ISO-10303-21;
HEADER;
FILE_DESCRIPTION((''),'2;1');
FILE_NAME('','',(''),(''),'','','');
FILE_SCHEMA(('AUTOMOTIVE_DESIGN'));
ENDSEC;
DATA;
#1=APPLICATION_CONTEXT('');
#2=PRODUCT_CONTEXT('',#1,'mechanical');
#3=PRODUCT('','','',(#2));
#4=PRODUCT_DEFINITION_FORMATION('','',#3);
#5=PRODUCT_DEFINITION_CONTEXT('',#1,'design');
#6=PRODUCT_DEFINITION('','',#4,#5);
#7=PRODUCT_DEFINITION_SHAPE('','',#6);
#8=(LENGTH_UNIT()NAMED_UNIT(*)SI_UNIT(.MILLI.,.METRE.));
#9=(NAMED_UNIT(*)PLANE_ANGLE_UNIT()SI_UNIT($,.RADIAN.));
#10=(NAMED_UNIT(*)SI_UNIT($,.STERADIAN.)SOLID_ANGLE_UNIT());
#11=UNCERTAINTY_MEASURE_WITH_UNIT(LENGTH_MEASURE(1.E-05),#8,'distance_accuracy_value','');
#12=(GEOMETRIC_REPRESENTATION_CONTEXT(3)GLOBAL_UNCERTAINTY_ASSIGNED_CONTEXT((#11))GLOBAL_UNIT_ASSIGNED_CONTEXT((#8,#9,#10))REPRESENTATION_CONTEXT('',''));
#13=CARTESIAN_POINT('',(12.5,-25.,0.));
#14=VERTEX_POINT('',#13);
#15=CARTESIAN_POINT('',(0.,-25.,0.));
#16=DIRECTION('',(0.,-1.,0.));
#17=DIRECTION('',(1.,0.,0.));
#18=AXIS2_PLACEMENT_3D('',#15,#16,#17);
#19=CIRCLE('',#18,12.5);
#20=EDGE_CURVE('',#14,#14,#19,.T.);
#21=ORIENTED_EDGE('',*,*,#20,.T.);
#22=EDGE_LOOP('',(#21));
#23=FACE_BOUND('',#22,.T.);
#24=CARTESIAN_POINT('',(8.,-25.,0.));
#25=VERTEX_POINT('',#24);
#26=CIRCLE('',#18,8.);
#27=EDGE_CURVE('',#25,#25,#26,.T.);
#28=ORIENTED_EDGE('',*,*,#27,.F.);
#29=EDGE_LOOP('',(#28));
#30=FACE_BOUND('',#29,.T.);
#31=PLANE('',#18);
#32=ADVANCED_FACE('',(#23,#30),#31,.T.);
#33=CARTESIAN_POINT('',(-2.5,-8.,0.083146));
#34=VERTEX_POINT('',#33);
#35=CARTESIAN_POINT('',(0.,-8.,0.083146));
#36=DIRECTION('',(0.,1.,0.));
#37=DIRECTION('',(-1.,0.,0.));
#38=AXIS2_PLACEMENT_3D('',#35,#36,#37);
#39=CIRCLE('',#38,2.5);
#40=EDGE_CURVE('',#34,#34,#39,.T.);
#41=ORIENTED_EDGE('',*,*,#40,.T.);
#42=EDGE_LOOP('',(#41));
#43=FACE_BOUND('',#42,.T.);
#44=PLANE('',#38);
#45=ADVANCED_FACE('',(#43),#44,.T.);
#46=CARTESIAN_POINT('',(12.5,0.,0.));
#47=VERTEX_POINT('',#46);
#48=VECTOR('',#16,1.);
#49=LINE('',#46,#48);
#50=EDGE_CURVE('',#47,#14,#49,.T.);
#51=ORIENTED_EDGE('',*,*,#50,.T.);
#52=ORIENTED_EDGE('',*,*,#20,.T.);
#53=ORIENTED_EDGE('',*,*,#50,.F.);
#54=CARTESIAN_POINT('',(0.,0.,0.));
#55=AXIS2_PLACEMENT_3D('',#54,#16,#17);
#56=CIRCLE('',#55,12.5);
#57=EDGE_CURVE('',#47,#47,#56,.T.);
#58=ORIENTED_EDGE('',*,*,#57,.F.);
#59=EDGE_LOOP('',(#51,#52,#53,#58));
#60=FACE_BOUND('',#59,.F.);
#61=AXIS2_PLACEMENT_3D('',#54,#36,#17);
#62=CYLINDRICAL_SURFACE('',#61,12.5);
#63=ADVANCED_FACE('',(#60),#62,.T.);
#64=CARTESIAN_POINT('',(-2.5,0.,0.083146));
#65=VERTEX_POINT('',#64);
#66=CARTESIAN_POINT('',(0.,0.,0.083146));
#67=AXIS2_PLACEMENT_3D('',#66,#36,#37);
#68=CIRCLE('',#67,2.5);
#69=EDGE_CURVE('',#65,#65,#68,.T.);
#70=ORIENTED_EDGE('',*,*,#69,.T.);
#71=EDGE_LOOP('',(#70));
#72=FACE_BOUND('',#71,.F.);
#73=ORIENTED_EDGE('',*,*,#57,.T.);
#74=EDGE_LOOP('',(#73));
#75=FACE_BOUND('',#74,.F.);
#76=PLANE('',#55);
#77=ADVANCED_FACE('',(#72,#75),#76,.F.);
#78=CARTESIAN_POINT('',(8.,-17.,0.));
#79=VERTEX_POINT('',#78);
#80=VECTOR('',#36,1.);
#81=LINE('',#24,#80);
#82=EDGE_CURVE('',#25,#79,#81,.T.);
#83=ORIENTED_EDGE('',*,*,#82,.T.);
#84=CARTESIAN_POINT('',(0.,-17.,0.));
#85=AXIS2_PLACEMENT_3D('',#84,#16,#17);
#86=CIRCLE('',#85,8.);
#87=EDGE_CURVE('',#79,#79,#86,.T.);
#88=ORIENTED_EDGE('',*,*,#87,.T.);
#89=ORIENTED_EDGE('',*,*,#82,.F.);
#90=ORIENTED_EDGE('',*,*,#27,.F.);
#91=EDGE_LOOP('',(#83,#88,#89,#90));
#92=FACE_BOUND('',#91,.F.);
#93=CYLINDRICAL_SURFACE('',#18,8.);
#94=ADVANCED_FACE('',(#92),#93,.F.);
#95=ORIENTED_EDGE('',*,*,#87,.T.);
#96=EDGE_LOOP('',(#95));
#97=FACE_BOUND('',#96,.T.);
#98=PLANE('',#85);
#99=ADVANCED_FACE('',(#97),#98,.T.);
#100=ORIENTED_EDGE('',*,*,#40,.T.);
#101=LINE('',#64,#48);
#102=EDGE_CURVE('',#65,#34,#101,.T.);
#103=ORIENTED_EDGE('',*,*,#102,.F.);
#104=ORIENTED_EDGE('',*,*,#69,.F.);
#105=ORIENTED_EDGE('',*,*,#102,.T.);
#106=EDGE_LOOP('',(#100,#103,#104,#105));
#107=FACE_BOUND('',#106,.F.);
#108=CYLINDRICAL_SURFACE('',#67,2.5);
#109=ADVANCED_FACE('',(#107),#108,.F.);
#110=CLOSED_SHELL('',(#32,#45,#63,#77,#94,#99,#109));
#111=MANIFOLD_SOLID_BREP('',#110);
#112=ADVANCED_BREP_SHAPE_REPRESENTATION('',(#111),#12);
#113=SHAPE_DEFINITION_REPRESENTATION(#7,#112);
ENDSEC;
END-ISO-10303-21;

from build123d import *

# Parameters (mm, degrees)
F0_R     = 12.5
F1_DEPTH = 25
F2_R     = 2.5
F3_DEPTH = 8
F4_R     = 8
F5_DEPTH = 8


with BuildPart() as f1:
    # F0 (on Front) → F1 (new body)
    with BuildSketch(Plane.XZ):
        Circle(F0_R)
    extrude(amount=F1_DEPTH)

    # F2 (on face) → F3 (cut)
    with BuildSketch(Plane(origin=(0, 0, 0), x_dir=(-1, 0, 0), z_dir=(0, 1, 0))):
        with Locations((0, 0.083146)):
            Circle(F2_R)
    extrude(amount=-F3_DEPTH, mode=Mode.SUBTRACT)

    # F4 (on face) → F5 (cut)
    with BuildSketch(Plane.XZ.offset(25)):
        Circle(F4_R)
    extrude(amount=-F5_DEPTH, mode=Mode.SUBTRACT)


solid = f1.part
